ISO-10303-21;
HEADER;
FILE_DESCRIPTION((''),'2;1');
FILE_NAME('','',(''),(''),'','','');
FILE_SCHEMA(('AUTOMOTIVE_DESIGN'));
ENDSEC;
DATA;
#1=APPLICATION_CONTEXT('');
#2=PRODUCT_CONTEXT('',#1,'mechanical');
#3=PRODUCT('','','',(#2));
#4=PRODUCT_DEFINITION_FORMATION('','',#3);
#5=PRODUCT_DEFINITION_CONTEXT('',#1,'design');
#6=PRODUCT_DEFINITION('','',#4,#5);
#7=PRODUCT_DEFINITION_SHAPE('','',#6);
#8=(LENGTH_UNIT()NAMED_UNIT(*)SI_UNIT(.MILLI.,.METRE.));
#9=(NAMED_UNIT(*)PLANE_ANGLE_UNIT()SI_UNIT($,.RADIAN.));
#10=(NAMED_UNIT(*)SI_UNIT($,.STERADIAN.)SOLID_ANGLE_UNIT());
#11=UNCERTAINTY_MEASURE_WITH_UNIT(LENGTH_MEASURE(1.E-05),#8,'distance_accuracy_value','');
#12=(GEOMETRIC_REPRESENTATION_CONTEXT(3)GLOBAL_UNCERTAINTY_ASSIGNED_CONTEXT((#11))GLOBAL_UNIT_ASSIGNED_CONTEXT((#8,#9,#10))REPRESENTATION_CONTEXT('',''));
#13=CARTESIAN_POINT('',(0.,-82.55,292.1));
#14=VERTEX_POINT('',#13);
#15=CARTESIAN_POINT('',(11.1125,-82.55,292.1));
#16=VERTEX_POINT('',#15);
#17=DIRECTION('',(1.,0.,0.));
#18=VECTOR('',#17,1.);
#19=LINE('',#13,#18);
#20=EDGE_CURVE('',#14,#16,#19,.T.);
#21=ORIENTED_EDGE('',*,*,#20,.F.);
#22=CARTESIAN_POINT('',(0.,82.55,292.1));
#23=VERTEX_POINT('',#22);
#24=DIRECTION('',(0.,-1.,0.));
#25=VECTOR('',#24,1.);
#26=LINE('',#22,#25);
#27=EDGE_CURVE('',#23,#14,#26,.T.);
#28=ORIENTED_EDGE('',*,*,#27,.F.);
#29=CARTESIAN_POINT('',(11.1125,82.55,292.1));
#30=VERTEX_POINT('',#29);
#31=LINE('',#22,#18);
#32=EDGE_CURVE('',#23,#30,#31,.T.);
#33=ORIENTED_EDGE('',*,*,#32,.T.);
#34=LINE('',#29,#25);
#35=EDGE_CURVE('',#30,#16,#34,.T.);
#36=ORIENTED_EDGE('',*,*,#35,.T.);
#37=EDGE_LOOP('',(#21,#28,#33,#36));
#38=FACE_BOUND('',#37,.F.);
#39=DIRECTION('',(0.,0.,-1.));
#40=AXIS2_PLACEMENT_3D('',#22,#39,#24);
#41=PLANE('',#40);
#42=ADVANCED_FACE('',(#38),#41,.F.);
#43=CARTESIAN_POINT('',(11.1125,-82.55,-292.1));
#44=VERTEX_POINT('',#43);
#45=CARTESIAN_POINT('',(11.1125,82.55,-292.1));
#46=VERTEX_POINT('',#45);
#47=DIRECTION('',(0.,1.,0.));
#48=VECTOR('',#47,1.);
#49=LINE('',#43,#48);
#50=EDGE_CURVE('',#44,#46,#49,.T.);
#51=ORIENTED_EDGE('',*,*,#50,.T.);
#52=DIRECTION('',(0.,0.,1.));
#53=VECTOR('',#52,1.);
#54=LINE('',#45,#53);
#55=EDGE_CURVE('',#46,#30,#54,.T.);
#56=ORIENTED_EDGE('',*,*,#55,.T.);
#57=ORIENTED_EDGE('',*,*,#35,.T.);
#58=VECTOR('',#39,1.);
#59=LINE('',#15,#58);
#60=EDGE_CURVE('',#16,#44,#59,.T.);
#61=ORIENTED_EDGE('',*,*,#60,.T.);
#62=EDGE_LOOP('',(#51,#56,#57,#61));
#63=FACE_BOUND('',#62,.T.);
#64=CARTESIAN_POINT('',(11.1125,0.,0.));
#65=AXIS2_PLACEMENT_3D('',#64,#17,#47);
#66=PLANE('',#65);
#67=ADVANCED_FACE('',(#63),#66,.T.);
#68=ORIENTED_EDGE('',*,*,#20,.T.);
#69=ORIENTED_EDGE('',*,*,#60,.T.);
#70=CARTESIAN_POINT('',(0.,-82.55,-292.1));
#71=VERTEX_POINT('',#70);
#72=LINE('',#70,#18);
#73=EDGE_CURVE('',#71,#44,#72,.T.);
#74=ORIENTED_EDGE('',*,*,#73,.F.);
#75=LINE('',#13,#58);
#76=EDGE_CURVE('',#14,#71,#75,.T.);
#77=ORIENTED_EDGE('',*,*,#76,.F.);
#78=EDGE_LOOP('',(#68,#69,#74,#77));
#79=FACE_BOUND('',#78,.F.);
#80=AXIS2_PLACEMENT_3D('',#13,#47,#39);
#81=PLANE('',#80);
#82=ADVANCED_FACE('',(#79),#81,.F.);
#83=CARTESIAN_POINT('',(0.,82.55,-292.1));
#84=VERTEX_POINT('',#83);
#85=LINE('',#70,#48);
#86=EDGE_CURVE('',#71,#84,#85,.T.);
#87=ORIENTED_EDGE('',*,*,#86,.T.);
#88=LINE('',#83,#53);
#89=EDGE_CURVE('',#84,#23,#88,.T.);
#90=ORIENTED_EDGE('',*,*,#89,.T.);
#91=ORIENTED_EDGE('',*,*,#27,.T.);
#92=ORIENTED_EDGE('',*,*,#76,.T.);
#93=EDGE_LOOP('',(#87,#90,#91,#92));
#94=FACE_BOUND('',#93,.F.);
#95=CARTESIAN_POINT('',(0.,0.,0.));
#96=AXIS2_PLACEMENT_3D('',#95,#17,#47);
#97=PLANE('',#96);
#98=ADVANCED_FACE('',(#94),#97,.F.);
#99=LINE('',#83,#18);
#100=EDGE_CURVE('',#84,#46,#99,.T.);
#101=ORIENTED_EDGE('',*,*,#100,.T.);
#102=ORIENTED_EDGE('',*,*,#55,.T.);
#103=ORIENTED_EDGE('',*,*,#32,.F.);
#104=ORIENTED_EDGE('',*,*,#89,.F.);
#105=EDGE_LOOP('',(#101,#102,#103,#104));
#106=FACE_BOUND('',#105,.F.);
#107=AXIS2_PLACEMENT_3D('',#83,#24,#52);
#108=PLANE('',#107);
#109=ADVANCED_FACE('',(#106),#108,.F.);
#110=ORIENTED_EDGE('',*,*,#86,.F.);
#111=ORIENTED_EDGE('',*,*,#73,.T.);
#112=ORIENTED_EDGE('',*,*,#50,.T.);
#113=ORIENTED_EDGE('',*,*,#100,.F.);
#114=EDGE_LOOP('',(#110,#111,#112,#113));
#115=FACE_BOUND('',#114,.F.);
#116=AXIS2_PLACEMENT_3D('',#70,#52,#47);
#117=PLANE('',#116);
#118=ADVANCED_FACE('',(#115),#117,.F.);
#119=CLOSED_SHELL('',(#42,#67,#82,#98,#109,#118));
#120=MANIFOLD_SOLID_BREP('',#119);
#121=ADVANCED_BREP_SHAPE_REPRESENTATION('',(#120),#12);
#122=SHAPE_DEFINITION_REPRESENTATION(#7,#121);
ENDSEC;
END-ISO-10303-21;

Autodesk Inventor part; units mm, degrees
ref_plane "YZ Plane" through (0, 0, 0) normal (1, 0, 0) x (0, 1, 0)
ref_plane "XZ Plane" through (0, 0, 0) normal (0, 1, 0) x (-1, 0, 0)
ref_plane "XY Plane" through (0, 0, 0) normal (0, 0, 1) x (1, 0, 0)
sketch "Sketch1" plane through (0, 0, 0) normal (1, 0, 0) x (0, 1, 0)
  line L0 (-82.55, 292.1) -> (-82.55, -292.1)
  line L1 (-82.55, -292.1) -> (82.55, -292.1)
  line L2 (82.55, -292.1) -> (82.55, 292.1)
  line L3 (82.55, 292.1) -> (-82.55, 292.1)
  line L4 (-82.55, 292.1) -> (82.55, -292.1) construction
  line L5 (-82.55, -292.1) -> (82.55, 292.1) construction
  point P0 (0, 0)
  dimension "d0" = 584.2
  dimension "d1" = 165.1
extrude "Extrusion1" add sketch "Sketch1" along normal blind 11.1125
properties part number "Home Depot Composite Slat 23 in" material "Wood (Cherry)"
